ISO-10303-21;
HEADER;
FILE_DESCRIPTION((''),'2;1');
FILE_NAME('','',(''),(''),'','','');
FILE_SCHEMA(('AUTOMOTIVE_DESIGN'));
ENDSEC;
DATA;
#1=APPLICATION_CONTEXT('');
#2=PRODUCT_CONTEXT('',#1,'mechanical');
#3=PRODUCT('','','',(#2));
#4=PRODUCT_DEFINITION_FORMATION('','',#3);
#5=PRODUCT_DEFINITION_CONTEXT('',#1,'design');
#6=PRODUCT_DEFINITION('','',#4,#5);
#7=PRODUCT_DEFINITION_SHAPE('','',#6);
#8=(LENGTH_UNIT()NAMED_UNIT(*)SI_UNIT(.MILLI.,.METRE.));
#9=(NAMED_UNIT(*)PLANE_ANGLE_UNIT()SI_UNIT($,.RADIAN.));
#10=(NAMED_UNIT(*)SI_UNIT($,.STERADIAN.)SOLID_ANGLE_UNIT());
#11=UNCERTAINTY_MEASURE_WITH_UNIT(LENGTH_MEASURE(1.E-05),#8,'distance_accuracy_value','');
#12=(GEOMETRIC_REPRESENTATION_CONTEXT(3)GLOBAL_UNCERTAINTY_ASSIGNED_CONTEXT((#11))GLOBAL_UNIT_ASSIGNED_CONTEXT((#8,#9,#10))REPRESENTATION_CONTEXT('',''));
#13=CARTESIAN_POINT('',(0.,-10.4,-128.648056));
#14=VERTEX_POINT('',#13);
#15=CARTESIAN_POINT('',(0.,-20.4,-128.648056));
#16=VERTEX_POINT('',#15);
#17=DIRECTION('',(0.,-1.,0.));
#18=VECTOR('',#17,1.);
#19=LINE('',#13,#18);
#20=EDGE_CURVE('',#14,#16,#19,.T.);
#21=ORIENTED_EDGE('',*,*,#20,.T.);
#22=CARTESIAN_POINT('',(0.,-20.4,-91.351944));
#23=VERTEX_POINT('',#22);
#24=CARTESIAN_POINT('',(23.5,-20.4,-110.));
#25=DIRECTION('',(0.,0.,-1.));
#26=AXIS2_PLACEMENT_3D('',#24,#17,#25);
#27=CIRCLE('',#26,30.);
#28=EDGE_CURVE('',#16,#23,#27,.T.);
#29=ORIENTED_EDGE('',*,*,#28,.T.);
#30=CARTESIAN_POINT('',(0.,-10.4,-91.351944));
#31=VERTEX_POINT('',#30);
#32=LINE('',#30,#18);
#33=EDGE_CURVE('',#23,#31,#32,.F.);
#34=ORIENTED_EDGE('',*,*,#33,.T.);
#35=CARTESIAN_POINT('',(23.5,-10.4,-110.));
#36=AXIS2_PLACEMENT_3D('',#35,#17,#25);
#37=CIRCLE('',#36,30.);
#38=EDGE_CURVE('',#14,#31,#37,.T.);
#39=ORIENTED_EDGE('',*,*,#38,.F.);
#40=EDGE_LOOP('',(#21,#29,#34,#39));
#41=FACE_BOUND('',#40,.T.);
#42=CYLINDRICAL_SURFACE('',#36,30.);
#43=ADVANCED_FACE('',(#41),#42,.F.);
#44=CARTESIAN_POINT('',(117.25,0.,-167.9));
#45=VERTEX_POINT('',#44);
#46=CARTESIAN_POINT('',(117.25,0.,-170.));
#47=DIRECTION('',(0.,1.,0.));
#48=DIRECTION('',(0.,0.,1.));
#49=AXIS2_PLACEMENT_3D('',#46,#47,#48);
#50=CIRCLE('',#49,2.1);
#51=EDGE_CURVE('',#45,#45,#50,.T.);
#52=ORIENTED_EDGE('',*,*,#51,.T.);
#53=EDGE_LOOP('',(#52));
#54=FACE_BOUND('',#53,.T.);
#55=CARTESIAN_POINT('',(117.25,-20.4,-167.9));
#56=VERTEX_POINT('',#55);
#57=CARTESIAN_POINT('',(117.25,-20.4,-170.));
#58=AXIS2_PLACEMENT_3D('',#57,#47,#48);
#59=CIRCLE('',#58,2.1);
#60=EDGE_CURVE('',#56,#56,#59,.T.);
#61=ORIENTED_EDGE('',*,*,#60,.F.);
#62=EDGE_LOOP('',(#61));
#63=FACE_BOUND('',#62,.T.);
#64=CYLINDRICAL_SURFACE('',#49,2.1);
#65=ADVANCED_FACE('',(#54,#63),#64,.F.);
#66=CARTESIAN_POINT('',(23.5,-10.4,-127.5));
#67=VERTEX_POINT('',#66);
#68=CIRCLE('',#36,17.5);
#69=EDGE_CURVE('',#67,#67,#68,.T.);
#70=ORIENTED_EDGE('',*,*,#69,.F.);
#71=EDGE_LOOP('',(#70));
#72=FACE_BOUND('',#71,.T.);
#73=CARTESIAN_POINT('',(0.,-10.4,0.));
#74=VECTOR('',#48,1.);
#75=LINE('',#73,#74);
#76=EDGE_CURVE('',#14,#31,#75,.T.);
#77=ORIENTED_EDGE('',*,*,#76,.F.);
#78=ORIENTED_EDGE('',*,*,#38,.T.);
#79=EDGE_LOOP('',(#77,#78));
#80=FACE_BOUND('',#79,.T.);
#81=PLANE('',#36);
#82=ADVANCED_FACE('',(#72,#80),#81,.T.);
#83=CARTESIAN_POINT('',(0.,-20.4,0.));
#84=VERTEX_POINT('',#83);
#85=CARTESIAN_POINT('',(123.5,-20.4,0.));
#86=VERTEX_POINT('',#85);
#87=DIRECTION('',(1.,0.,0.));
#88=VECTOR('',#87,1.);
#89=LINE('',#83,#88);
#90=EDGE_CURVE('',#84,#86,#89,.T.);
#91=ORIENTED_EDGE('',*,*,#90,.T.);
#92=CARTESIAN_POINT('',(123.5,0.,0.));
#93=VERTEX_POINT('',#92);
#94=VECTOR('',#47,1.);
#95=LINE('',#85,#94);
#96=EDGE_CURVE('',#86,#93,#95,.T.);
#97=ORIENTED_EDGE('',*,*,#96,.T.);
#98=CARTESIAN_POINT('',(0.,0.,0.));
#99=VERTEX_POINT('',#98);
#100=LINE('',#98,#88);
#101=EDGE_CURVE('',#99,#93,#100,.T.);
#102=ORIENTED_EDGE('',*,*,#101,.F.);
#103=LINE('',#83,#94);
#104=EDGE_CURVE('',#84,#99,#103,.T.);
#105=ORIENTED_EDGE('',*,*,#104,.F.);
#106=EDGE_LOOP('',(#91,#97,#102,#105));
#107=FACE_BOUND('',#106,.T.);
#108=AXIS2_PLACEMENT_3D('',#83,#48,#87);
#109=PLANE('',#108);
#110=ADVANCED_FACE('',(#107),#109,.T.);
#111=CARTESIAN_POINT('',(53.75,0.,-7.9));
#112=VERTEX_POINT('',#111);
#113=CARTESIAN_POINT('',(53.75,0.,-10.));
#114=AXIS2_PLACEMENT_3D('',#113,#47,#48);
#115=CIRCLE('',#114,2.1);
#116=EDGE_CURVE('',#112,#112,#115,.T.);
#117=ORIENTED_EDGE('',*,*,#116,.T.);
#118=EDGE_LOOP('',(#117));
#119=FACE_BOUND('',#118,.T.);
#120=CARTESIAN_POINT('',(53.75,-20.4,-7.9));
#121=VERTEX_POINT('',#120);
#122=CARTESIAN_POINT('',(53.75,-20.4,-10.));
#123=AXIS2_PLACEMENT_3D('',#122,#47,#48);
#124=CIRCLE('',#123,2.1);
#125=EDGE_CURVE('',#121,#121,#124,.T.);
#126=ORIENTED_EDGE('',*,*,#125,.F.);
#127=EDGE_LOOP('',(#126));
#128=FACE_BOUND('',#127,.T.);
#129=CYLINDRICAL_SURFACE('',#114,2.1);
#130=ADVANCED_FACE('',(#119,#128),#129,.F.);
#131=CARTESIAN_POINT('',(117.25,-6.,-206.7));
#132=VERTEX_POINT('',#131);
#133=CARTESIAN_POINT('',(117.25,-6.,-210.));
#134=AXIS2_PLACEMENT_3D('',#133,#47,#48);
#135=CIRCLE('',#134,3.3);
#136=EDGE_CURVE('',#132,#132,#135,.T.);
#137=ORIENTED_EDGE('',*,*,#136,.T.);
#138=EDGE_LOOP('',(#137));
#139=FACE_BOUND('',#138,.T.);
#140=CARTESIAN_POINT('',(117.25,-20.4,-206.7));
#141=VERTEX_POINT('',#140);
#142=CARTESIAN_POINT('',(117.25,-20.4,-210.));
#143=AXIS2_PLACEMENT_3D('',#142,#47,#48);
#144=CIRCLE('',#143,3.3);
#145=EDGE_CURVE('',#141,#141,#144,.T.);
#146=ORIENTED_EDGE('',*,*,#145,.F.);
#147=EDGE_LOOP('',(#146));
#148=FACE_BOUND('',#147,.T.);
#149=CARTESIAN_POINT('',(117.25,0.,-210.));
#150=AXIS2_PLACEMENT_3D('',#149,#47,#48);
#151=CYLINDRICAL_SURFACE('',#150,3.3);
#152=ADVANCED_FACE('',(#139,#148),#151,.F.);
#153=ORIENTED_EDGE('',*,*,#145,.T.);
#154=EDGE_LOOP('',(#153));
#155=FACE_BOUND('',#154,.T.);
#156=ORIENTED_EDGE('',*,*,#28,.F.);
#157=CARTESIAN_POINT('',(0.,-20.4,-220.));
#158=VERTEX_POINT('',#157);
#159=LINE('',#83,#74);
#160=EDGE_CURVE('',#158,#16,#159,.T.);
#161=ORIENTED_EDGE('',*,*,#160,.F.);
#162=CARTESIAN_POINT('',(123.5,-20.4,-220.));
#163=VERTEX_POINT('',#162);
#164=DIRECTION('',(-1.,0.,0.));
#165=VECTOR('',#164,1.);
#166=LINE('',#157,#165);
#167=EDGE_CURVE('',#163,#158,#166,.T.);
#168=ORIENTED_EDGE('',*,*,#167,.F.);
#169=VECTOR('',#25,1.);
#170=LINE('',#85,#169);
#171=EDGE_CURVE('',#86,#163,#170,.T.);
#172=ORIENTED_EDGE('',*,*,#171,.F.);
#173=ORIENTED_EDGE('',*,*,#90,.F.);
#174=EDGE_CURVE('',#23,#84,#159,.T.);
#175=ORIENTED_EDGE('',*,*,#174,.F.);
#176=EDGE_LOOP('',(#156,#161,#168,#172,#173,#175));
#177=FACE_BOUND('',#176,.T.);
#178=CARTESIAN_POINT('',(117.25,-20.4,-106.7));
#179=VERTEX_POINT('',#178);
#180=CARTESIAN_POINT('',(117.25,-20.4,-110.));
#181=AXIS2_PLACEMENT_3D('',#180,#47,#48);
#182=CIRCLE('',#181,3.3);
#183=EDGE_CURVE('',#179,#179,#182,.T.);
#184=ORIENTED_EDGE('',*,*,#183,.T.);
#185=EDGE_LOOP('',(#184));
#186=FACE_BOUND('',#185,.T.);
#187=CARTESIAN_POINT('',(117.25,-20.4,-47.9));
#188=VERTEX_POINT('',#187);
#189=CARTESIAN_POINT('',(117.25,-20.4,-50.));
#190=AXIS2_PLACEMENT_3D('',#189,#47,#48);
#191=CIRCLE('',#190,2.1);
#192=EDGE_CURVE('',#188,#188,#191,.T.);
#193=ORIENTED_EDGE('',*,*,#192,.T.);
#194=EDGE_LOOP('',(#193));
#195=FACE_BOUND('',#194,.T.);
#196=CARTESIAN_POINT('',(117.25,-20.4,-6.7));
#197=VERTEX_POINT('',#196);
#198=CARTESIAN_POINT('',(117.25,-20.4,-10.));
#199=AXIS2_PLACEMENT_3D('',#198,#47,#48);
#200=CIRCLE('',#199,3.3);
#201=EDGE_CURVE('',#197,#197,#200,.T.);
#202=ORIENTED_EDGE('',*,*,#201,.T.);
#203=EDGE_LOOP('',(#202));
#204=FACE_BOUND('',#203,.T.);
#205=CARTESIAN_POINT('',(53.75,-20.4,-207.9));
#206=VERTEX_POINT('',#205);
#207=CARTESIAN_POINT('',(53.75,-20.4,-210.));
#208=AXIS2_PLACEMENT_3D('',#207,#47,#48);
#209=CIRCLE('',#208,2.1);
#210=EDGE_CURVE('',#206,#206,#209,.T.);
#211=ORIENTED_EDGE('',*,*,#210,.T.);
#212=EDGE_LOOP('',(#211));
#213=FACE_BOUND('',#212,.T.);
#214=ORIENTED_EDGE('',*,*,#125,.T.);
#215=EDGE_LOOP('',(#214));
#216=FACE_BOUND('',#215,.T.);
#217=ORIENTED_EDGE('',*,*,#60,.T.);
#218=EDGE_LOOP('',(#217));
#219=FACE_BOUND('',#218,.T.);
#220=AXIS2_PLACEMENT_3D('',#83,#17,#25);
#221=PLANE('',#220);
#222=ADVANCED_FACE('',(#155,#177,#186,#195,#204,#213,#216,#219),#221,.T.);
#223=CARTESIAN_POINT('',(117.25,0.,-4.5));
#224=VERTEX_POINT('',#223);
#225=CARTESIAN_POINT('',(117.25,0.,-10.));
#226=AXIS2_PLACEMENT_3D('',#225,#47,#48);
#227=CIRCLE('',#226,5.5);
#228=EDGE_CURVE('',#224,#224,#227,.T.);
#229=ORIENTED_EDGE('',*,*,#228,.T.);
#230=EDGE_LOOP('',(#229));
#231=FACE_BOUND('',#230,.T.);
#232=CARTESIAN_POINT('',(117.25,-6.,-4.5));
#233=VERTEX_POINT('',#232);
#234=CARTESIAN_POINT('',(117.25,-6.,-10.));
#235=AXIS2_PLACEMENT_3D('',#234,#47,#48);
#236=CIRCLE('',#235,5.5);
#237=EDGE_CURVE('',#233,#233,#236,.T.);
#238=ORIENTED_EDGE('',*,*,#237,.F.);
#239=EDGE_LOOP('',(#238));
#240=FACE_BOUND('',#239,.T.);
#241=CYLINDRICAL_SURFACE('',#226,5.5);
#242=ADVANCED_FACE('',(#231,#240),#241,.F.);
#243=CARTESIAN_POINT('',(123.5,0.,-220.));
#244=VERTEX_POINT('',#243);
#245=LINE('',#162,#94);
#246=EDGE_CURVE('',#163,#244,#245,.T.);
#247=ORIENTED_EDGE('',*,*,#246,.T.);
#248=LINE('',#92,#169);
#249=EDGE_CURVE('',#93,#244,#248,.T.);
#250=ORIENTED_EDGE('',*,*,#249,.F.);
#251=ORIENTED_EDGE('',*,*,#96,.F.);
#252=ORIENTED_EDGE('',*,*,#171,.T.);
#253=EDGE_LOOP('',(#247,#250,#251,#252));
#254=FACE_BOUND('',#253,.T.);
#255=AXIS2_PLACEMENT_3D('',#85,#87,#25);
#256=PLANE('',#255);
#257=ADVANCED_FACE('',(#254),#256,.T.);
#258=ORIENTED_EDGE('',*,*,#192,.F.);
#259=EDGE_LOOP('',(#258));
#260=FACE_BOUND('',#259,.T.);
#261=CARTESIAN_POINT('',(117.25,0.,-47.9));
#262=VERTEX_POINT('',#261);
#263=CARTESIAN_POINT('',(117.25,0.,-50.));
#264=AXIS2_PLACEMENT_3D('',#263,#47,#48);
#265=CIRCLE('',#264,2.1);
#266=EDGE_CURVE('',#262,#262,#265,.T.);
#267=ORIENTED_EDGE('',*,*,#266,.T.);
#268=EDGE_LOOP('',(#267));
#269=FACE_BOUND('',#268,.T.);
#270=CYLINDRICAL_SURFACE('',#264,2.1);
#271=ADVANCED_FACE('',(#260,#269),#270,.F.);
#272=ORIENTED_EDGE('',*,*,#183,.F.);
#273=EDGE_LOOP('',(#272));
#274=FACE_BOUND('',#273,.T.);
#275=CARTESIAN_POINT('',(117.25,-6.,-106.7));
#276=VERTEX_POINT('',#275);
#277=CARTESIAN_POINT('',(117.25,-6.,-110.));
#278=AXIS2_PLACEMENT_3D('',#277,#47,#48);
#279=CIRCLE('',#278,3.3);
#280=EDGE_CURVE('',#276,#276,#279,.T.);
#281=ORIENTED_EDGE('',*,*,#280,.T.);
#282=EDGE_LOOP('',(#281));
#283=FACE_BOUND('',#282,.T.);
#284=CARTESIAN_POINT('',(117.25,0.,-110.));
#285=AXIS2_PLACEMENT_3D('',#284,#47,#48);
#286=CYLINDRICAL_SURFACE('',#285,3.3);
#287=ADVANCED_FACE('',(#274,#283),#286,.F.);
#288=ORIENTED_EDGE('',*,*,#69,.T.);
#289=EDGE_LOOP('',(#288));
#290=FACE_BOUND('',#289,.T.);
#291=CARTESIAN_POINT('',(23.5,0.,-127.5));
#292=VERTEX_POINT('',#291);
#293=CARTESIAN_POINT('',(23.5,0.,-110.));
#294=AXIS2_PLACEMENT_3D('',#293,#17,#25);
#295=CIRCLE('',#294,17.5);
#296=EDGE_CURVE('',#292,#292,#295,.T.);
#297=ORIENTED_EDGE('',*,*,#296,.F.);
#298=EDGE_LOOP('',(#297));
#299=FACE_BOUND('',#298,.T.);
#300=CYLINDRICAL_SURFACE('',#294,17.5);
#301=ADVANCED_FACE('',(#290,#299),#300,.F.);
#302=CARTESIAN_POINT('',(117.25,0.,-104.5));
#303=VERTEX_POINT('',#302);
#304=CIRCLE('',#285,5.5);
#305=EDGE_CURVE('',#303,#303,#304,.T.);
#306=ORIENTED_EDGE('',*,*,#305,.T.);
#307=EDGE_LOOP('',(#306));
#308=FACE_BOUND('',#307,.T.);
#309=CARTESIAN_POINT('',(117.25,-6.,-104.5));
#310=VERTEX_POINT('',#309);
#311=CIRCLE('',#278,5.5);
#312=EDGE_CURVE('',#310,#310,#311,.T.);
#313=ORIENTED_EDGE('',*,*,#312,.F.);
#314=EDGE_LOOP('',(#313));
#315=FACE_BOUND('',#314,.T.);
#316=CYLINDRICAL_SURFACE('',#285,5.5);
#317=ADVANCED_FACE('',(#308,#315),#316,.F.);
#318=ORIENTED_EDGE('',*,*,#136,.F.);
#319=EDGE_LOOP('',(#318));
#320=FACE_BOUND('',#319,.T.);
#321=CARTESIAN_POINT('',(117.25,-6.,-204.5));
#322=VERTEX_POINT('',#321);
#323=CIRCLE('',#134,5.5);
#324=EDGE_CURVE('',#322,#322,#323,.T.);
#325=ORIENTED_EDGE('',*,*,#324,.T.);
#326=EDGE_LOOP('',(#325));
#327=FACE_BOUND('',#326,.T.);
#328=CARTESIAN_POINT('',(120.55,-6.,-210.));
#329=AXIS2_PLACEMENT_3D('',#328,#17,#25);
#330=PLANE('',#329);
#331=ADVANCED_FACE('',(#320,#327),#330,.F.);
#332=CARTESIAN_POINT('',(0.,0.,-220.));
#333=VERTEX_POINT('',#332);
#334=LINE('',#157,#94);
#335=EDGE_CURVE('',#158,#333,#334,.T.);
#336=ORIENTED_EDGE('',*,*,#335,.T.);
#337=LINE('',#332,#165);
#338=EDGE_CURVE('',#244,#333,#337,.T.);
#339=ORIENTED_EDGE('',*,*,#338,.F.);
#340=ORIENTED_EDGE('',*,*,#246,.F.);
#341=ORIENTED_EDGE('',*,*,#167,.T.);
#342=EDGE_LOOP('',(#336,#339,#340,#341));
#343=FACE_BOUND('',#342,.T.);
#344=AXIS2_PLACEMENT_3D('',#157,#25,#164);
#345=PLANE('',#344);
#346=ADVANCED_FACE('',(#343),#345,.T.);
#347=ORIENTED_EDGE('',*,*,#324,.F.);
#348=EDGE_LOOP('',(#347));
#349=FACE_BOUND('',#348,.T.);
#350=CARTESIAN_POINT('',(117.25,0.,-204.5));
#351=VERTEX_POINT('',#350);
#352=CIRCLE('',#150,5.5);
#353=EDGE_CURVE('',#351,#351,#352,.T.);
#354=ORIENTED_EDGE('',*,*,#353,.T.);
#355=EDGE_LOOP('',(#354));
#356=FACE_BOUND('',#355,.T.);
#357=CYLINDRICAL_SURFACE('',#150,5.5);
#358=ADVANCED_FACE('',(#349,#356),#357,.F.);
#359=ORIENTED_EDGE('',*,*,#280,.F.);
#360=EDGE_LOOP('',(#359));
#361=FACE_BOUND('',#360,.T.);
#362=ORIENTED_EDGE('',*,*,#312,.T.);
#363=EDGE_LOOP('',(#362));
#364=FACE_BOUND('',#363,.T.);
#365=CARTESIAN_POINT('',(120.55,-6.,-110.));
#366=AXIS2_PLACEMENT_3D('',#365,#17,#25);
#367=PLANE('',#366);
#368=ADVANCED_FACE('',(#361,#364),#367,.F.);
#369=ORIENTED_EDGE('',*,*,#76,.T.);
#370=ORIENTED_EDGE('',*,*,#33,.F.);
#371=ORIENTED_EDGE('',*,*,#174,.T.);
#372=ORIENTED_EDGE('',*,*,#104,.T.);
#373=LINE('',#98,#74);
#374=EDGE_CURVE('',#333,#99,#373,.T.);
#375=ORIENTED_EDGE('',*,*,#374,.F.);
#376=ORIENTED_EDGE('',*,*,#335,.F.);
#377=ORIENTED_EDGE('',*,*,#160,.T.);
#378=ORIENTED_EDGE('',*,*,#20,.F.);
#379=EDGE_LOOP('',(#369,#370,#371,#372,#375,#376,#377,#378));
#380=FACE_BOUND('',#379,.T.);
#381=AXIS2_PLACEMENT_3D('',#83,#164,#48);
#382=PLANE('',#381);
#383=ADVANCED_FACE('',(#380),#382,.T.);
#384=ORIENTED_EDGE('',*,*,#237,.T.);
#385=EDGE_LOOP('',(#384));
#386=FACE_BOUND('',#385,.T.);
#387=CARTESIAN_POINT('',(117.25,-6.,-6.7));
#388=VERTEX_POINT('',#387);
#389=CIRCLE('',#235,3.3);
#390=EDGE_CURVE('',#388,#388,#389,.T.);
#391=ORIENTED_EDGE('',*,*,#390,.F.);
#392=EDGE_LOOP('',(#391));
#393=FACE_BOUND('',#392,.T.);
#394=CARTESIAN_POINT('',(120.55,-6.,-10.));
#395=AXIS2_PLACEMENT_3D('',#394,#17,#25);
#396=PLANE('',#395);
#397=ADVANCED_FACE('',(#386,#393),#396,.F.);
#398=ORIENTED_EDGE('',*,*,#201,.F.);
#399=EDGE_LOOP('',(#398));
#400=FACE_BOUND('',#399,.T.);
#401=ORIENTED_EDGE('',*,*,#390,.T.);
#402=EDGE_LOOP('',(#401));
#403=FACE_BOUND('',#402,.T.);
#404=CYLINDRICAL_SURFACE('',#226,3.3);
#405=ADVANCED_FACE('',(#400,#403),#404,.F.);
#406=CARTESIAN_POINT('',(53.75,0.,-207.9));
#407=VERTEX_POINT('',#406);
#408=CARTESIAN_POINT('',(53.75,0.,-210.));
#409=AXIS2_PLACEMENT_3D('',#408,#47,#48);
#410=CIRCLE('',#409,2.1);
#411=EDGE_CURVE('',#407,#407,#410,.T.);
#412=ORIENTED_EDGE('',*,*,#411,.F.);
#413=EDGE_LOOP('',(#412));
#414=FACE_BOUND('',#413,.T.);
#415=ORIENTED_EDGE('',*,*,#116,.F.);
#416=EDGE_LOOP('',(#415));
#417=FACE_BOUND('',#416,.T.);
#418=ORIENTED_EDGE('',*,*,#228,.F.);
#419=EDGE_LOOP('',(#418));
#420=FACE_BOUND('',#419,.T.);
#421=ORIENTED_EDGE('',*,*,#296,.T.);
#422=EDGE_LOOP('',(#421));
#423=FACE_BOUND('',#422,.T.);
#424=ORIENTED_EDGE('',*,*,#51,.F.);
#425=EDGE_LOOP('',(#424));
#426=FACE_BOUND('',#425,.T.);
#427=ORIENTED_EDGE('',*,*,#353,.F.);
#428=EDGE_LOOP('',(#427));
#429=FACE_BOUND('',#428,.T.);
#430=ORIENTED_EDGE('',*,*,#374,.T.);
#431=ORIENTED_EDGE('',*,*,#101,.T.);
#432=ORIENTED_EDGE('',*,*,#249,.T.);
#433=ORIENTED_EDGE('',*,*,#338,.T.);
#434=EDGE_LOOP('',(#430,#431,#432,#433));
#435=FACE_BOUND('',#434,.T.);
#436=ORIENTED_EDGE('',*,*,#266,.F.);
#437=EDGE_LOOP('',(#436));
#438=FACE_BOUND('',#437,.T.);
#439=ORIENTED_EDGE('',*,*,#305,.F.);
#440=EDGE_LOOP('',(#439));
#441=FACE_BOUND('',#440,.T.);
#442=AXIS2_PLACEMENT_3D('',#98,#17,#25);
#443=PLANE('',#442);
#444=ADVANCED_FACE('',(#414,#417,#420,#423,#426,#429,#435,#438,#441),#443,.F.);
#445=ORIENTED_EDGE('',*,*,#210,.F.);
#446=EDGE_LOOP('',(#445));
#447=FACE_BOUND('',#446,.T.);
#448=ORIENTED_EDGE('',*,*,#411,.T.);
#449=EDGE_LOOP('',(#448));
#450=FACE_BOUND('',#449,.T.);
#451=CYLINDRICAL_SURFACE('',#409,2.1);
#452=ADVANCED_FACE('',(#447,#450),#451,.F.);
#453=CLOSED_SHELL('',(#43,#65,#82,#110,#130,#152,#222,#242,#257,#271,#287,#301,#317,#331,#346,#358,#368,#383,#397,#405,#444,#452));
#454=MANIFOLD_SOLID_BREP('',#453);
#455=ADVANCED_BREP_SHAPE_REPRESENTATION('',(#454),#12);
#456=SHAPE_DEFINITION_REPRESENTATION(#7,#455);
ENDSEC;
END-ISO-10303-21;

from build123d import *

# Parameters (mm, degrees)
SKETCH1_W                       = 123.5
SKETCH1_H                       = 220
BLOCO_DEPTH                     = 20.4
SKETCH2_R                       = 17.5
FURO_35_PASSANTE_DEPTH          = 254.117383836
SKETCH2_4_R                     = 30
SKETCH2_4_R_2                   = 17.5
REBAIXO_60X10_DEPTH             = 10
REBAIXO_M6_PASSANTE_D           = 6.6
REBAIXO_M6_PASSANTE_CBORE_D     = 11
REBAIXO_M6_PASSANTE_CBORE_DEPTH = 6
FURO_M5X0_8_PASSANTE_D          = 4.2


with BuildPart() as part:
    # Sketch1 → Bloco (new body)
    with BuildSketch(Plane(origin=(0, 0, 0), x_dir=(1, 0, 0), z_dir=(0, 1, 0))):
        with Locations((61.75, 110)):
            Rectangle(SKETCH1_W, SKETCH1_H)
    extrude(amount=-BLOCO_DEPTH)

    # Sketch2 → Furo Ø35 Passante (cut, through all)
    with BuildSketch(Plane(origin=(0, -20.4, 0), x_dir=(-1, 0, 0), z_dir=(0, -1, 0))):
        with Locations((-23.5, 110)):
            Circle(SKETCH2_R)
    extrude(amount=-FURO_35_PASSANTE_DEPTH, mode=Mode.SUBTRACT)

    # Sketch2<4> → Rebaixo Ø60x10 (cut)
    with BuildSketch(Plane(origin=(0, -20.4, 0), x_dir=(-1, 0, 0), z_dir=(0, -1, 0))):
        with Locations((-23.5, 110)):
            Circle(SKETCH2_4_R)
        with Locations((-23.5, 110)):
            Circle(SKETCH2_4_R_2, mode=Mode.SUBTRACT)
    extrude(amount=-REBAIXO_60X10_DEPTH, mode=Mode.SUBTRACT)

    # Rebaixo M6 - Passante (through all)
    with Locations(Plane(origin=(0, 0, 0), x_dir=(1, 0, 0), z_dir=(0, 1, 0))):
        with Locations((117.25, 10), (117.25, 110), (117.25, 210)):
            CounterBoreHole(REBAIXO_M6_PASSANTE_D / 2, REBAIXO_M6_PASSANTE_CBORE_D / 2, REBAIXO_M6_PASSANTE_CBORE_DEPTH)

    # Furo M5x0.8 - Passante (through all)
    with Locations(Plane(origin=(0, 0, 0), x_dir=(1, 0, 0), z_dir=(0, 1, 0))):
        with Locations((53.75, 10), (117.25, 50), (117.25, 170), (53.75, 210)):
            Hole(FURO_M5X0_8_PASSANTE_D / 2)


solid = part.part
